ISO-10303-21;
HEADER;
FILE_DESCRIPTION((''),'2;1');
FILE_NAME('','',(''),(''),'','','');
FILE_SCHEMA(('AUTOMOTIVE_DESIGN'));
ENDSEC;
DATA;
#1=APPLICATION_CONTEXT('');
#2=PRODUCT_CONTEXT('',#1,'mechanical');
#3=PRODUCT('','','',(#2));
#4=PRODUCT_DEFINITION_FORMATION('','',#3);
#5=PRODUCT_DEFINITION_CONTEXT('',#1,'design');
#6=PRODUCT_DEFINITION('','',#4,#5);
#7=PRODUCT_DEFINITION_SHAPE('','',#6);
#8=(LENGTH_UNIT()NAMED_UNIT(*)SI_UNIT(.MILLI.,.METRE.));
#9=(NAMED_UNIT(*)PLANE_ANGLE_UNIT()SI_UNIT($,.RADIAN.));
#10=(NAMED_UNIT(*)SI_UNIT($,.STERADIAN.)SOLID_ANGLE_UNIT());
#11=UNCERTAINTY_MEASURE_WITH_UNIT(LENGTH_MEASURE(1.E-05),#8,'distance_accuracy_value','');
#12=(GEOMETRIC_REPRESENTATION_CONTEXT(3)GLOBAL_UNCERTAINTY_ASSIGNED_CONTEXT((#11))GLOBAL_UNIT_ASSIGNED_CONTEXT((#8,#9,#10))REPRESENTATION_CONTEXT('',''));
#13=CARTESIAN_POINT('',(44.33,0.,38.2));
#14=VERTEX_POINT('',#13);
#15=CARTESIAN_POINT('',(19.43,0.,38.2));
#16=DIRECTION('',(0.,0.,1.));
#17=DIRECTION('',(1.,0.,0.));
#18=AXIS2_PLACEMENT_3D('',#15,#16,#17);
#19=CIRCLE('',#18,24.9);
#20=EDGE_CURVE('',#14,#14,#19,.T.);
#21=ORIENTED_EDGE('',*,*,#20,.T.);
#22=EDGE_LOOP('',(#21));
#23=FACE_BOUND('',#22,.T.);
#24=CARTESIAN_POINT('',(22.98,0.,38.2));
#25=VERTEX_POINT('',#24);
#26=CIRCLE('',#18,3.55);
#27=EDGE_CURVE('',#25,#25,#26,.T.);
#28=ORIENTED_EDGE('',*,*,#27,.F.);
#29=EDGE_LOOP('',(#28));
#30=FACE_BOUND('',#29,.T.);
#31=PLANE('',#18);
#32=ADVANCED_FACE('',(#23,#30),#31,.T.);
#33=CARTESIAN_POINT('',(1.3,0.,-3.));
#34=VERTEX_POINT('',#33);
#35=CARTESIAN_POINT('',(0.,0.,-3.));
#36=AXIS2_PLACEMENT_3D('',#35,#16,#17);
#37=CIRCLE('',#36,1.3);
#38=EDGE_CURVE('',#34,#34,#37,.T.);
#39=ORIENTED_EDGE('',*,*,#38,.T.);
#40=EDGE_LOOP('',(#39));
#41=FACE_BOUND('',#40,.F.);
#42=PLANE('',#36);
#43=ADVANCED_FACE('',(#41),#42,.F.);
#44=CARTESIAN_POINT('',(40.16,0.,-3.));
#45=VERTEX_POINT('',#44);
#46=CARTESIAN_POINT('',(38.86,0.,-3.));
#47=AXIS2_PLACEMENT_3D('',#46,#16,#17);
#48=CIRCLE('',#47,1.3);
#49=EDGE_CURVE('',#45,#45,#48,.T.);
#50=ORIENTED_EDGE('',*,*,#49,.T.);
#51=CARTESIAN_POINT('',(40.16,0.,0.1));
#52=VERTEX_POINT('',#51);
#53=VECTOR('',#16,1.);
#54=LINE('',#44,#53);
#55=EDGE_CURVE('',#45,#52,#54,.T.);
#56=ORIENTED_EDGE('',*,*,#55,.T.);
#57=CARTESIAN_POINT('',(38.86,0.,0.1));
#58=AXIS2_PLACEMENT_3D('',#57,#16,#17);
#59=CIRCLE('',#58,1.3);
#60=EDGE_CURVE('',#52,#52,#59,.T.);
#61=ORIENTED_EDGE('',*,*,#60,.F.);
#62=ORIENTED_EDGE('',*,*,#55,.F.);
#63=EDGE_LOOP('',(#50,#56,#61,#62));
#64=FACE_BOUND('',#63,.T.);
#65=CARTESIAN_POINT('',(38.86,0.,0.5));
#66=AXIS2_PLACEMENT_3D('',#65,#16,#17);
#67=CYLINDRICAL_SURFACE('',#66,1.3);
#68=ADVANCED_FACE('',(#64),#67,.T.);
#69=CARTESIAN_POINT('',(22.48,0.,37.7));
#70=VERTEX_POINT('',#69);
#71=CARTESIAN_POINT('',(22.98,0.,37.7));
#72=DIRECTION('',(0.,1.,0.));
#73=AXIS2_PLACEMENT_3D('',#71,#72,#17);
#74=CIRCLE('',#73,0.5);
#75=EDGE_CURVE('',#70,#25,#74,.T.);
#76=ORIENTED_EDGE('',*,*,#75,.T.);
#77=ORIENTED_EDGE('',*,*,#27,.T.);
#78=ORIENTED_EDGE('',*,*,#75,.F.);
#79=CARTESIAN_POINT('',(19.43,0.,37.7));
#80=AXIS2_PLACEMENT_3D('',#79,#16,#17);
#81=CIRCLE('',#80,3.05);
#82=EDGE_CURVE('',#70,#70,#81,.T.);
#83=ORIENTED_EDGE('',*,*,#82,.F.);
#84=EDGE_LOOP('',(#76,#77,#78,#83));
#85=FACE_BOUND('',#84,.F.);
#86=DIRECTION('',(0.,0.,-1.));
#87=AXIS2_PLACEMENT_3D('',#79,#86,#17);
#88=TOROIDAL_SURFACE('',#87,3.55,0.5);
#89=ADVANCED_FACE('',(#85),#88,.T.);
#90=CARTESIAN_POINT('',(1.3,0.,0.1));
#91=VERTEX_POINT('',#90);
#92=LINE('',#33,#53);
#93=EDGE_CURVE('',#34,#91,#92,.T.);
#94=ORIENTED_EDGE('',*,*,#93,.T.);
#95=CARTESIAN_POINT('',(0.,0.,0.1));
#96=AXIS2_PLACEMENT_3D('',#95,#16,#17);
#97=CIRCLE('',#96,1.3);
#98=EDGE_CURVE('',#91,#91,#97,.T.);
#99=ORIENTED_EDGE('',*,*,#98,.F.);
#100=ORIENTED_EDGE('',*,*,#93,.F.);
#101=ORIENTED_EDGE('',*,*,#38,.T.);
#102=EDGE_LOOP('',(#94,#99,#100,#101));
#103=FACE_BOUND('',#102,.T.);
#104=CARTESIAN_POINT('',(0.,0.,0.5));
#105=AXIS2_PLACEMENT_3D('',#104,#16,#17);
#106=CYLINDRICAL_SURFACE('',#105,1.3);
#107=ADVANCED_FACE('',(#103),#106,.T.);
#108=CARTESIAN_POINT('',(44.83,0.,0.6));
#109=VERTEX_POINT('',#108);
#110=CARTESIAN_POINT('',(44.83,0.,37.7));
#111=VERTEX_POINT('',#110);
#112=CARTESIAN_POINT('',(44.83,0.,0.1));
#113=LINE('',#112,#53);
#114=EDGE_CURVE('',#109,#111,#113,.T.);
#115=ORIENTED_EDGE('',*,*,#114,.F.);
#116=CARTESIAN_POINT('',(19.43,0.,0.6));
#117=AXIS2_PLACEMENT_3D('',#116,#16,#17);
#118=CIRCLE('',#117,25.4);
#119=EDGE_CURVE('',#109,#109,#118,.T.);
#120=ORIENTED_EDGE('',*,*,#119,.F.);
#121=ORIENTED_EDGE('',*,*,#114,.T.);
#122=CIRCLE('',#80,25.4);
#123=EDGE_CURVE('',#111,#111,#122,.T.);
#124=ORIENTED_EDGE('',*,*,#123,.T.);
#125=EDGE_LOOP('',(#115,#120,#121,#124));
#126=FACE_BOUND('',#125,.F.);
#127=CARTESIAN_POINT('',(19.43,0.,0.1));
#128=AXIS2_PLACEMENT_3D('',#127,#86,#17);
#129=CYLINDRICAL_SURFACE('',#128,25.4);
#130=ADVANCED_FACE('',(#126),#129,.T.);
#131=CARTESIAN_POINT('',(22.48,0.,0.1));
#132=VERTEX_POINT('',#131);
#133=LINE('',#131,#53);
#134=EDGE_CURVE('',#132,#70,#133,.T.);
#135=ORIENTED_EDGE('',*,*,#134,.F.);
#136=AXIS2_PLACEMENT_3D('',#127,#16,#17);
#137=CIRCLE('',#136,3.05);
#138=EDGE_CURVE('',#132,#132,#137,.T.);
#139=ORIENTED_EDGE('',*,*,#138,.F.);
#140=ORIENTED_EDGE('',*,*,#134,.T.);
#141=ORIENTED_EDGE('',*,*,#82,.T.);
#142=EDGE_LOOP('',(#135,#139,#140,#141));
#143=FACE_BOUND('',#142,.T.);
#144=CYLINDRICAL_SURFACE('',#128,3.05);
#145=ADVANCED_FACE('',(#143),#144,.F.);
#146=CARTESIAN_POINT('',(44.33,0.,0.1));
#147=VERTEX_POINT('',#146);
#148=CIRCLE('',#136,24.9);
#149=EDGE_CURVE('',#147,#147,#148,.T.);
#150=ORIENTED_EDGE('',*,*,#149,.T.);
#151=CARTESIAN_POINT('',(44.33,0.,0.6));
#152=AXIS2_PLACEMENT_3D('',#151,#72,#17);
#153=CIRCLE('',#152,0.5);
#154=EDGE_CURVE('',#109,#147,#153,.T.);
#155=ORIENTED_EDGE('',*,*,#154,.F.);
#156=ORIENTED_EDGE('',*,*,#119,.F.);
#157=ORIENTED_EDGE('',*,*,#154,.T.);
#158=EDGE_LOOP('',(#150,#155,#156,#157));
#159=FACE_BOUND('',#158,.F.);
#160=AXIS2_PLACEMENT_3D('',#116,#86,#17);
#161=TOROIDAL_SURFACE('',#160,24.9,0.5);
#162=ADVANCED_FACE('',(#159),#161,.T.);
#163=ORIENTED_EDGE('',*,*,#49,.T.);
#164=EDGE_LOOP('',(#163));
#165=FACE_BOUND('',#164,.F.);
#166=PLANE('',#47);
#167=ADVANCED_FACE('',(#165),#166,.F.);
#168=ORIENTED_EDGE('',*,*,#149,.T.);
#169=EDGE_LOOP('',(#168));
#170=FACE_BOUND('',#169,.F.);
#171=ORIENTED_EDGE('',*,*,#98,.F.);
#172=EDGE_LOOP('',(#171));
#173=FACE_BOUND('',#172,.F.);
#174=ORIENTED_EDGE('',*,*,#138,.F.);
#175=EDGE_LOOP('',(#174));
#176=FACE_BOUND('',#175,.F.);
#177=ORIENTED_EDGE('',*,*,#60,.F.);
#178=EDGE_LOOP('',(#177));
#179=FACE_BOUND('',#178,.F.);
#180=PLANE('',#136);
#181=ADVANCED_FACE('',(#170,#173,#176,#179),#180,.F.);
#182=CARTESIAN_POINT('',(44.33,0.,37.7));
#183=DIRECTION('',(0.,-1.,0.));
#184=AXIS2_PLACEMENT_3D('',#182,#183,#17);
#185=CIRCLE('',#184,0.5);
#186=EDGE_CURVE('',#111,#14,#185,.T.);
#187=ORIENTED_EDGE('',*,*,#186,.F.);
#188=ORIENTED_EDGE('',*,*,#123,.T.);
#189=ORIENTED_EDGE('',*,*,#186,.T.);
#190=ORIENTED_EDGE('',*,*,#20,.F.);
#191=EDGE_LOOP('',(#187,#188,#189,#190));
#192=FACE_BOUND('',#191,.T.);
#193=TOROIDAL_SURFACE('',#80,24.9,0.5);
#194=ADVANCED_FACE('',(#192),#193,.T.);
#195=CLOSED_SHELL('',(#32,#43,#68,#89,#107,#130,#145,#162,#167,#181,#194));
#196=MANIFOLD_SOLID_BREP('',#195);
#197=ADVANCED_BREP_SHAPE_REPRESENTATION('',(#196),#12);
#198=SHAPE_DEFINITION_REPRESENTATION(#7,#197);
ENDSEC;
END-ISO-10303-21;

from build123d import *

# Parameters (mm, degrees)
SKETCH_R          = 25.4
SKETCH_R_2        = 3.05
PAD_DEPTH         = 38.1
FILLET_R          = 0.5
SKETCH001_R       = 1.3
PAD001_DEPTH      = 19.05
PAD001_DEPTH_BACK = 3.5


with BuildPart() as fillet_body:
    # Sketch → Pad (new body)
    with BuildSketch(Plane.XY.offset(0.1)):
        with Locations((19.43, 0)):
            Circle(SKETCH_R)
        with Locations((19.43, 0)):
            Circle(SKETCH_R_2, mode=Mode.SUBTRACT)
    extrude(amount=PAD_DEPTH)

    # Fillet
    fillet_edges = [fillet_body.edges().sort_by_distance(p)[0] for p in [
        (16.38, 0, 38.2),
        (-5.97, 0, 38.2),
        (-5.97, 0, 0.1),
    ]]
    fillet(fillet_edges, radius=FILLET_R)


with BuildPart() as pad001_mp_cp:
    # Sketch001 → Pad001 (new body, two sides)
    with BuildSketch(Plane.XY.offset(0.5)) as pad001_sk:
        Circle(SKETCH001_R)
        with Locations((38.86, 0)):
            Circle(SKETCH001_R)
    extrude(amount=PAD001_DEPTH)
    extrude(pad001_sk.sketch, amount=-PAD001_DEPTH_BACK)

    # Pad001_mp_cp: union Fillet body
    add(fillet_body.part)


solid = pad001_mp_cp.part
